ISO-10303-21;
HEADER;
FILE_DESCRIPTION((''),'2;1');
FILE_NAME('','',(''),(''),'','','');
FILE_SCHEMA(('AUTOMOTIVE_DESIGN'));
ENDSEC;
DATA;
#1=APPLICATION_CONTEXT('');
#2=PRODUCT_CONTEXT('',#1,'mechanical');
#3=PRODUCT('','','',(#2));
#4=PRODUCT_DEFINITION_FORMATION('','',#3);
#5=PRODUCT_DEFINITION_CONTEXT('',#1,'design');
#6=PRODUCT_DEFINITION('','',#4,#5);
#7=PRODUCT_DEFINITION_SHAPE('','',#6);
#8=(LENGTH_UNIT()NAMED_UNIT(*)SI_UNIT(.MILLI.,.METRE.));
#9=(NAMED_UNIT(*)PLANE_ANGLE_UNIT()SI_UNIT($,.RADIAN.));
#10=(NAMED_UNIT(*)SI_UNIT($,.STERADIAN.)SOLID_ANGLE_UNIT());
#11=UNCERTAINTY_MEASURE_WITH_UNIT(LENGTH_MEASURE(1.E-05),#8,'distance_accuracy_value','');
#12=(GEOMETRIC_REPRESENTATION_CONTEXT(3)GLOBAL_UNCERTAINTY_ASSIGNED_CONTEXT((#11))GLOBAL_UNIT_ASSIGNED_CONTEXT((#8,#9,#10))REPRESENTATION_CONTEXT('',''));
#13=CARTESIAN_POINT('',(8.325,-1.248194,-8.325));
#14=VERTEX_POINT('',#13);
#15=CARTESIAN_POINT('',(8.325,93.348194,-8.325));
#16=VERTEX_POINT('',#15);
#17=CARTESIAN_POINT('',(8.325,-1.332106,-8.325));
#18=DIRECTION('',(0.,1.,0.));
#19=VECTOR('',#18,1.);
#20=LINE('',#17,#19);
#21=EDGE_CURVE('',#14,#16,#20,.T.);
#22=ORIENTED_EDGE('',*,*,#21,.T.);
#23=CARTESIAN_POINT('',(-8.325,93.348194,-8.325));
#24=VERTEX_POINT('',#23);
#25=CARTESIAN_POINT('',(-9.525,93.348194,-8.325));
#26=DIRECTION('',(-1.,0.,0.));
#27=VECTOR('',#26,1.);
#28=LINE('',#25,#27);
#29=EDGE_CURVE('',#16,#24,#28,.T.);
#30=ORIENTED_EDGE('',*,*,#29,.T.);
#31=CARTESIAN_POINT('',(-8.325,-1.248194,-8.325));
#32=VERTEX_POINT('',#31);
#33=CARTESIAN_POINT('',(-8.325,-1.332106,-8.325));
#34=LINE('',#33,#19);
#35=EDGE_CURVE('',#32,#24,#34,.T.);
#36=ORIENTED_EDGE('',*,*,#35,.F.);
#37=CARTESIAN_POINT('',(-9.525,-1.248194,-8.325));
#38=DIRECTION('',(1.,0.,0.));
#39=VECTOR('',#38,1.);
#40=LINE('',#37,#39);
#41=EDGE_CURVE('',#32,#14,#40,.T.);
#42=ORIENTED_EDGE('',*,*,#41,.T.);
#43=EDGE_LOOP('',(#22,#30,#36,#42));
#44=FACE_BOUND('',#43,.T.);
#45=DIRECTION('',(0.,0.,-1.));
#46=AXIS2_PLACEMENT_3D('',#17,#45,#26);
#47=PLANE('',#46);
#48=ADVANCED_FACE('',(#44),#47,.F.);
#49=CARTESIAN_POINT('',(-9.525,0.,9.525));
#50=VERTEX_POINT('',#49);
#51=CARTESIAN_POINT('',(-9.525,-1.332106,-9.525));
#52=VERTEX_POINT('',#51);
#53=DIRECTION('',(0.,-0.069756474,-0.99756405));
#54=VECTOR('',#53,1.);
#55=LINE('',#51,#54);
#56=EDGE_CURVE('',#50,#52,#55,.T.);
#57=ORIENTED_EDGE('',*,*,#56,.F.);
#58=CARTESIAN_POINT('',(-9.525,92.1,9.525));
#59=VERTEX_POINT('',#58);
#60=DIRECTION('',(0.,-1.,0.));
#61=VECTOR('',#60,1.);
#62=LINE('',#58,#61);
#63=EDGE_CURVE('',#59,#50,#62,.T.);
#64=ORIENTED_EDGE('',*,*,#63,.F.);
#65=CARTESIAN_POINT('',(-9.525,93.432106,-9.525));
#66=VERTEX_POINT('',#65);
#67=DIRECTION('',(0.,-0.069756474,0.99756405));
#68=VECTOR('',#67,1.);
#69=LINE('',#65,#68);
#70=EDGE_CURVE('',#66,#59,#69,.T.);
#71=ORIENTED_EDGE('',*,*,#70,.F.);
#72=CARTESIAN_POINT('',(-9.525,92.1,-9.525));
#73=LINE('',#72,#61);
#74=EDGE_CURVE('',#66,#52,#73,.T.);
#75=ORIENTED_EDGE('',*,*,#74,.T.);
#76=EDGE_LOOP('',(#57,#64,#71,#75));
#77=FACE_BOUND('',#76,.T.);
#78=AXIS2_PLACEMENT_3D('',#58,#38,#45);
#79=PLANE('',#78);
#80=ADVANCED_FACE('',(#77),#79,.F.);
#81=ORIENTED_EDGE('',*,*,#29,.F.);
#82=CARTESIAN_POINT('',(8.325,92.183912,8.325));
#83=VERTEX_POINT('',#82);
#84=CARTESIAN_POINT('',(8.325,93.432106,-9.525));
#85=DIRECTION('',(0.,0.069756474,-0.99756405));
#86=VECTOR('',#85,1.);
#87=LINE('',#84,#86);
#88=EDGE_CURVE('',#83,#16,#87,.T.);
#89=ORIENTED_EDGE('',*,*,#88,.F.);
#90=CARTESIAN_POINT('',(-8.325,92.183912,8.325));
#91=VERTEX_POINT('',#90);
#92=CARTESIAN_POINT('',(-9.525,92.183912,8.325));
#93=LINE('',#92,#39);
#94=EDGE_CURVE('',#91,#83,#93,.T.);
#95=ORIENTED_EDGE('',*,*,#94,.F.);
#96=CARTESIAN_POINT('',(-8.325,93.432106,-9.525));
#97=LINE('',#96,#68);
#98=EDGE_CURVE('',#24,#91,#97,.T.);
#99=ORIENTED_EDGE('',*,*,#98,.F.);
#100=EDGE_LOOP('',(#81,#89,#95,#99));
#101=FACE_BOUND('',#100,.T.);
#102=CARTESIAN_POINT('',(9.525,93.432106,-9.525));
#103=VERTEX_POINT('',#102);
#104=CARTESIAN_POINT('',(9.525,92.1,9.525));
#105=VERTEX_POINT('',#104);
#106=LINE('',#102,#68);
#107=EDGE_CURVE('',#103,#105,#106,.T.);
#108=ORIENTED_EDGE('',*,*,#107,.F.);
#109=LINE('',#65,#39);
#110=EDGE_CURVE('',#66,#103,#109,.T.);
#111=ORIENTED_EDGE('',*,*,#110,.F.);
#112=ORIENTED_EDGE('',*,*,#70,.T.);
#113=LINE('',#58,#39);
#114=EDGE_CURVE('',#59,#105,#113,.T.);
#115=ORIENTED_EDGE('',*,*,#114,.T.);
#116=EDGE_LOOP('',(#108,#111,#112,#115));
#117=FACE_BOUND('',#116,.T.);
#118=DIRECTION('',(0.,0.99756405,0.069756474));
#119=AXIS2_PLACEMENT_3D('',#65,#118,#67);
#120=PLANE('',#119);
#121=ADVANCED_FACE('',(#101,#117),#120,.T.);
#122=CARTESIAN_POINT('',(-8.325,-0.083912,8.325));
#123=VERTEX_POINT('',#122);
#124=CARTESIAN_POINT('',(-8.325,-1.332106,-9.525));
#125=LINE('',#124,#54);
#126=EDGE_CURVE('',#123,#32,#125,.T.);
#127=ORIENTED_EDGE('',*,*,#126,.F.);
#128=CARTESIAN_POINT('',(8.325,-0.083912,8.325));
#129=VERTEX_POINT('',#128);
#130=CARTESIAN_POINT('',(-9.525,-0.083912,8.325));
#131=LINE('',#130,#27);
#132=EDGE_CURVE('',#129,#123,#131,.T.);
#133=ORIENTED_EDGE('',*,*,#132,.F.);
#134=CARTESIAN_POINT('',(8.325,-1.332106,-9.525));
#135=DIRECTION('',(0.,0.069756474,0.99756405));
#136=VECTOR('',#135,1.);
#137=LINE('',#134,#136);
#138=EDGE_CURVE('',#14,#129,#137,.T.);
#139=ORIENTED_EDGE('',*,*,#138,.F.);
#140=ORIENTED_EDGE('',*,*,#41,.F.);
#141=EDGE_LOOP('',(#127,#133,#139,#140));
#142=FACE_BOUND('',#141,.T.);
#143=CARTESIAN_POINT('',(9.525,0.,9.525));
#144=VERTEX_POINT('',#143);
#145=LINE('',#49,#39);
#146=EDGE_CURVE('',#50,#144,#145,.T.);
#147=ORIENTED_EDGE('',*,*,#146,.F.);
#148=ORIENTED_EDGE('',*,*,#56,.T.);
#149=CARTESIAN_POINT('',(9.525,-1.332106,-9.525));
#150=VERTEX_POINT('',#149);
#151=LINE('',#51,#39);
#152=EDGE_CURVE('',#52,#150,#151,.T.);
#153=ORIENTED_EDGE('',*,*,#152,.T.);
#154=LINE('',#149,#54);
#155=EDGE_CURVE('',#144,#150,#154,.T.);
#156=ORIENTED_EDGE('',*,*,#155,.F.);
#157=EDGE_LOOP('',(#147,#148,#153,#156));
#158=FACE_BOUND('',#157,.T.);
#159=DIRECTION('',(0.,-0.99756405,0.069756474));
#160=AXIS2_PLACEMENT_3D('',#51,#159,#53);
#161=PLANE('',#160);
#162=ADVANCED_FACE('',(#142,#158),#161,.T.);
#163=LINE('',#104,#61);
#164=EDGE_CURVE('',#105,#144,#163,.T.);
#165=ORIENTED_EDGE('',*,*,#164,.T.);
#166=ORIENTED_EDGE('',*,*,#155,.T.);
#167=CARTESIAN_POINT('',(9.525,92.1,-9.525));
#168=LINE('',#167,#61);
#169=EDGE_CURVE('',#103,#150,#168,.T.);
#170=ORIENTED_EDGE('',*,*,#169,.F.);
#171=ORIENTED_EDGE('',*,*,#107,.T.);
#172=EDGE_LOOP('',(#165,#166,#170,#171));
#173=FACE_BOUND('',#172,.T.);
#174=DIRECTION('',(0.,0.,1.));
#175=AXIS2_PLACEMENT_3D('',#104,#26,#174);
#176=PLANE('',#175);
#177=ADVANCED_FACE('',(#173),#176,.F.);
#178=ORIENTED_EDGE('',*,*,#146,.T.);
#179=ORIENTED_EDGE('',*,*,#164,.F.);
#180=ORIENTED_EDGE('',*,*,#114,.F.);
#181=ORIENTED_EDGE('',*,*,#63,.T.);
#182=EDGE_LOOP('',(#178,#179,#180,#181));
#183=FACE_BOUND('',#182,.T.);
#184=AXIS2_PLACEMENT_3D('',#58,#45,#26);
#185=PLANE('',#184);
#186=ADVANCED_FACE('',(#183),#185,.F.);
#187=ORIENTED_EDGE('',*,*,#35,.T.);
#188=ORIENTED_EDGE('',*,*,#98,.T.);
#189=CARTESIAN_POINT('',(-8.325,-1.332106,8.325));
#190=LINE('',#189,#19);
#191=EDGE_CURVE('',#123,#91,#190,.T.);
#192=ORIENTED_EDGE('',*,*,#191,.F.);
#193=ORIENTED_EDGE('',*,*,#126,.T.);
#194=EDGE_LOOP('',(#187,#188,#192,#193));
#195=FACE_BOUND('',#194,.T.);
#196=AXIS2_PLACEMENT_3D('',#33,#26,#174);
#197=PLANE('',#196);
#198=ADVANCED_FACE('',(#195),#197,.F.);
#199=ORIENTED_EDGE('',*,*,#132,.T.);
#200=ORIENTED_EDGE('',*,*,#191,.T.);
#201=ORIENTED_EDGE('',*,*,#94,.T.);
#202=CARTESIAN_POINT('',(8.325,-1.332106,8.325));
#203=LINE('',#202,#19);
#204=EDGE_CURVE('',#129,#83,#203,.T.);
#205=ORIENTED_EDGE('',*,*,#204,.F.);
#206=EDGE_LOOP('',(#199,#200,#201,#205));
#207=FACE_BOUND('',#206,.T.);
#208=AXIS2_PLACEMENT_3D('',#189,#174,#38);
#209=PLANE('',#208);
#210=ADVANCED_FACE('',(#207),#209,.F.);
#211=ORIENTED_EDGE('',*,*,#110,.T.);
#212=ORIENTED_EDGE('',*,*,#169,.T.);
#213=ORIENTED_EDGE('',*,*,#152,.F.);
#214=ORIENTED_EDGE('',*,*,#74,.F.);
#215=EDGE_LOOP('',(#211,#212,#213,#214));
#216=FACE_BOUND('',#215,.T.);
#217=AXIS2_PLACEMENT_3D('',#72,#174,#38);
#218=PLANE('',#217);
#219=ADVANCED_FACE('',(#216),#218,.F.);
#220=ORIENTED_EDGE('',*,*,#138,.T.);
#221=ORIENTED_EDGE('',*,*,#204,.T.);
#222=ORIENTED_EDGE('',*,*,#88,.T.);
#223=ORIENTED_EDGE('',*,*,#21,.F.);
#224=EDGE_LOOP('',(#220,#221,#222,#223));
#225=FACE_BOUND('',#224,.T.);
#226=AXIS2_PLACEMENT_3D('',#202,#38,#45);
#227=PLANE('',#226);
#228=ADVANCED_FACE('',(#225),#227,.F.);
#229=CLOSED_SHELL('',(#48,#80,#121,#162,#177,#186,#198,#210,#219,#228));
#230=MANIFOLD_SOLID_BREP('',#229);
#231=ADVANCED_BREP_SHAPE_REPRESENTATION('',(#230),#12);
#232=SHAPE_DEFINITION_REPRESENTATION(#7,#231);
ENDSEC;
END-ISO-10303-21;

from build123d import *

# Parameters (mm, degrees)
SKETCH1_W               = 19.05
SKETCH1_H               = 19.05
BOSS_EXTRUDE1_DEPTH     = 92.1
BOSS_EXTRUDE2_DEPTH     = 19.05
CUT_EXTRUDE1_DEPTH      = 95.398144252
CUT_EXTRUDE1_DEPTH_BACK = 95.398144252
SKETCH4_W               = 16.65
SKETCH4_H               = 16.65


with BuildPart() as part:
    # Sketch1 → Boss-Extrude1 (new body)
    with BuildSketch(Plane(origin=(0, 0, 0), x_dir=(1, 0, 0), z_dir=(0, 1, 0))):
        Rectangle(SKETCH1_W, SKETCH1_H)
    extrude(amount=BOSS_EXTRUDE1_DEPTH)

    # Sketch2 → Boss-Extrude2 (add)
    with BuildSketch(Plane(origin=(9.525, 0, 0), x_dir=(0, 0, -1), z_dir=(1, 0, 0))):
        Polygon((-9.525, 92.1), (9.525, 92.1), (9.525, 93.432105768), align=None)
        Polygon((9.525, -1.332105768), (-9.525, 0), (9.525, 0), align=None)
    extrude(amount=-BOSS_EXTRUDE2_DEPTH)

    # Sketch4 → Cut-Extrude1 (cut, two sides: drawn at the far end of the back side and taken through both)
    with BuildSketch(Plane(origin=(0, 0, 0), x_dir=(1, 0, 0), z_dir=(0, 1, 0)).offset(-CUT_EXTRUDE1_DEPTH_BACK)):
        Rectangle(SKETCH4_W, SKETCH4_H)
    extrude(amount=CUT_EXTRUDE1_DEPTH + CUT_EXTRUDE1_DEPTH_BACK, mode=Mode.SUBTRACT)


solid = part.part
